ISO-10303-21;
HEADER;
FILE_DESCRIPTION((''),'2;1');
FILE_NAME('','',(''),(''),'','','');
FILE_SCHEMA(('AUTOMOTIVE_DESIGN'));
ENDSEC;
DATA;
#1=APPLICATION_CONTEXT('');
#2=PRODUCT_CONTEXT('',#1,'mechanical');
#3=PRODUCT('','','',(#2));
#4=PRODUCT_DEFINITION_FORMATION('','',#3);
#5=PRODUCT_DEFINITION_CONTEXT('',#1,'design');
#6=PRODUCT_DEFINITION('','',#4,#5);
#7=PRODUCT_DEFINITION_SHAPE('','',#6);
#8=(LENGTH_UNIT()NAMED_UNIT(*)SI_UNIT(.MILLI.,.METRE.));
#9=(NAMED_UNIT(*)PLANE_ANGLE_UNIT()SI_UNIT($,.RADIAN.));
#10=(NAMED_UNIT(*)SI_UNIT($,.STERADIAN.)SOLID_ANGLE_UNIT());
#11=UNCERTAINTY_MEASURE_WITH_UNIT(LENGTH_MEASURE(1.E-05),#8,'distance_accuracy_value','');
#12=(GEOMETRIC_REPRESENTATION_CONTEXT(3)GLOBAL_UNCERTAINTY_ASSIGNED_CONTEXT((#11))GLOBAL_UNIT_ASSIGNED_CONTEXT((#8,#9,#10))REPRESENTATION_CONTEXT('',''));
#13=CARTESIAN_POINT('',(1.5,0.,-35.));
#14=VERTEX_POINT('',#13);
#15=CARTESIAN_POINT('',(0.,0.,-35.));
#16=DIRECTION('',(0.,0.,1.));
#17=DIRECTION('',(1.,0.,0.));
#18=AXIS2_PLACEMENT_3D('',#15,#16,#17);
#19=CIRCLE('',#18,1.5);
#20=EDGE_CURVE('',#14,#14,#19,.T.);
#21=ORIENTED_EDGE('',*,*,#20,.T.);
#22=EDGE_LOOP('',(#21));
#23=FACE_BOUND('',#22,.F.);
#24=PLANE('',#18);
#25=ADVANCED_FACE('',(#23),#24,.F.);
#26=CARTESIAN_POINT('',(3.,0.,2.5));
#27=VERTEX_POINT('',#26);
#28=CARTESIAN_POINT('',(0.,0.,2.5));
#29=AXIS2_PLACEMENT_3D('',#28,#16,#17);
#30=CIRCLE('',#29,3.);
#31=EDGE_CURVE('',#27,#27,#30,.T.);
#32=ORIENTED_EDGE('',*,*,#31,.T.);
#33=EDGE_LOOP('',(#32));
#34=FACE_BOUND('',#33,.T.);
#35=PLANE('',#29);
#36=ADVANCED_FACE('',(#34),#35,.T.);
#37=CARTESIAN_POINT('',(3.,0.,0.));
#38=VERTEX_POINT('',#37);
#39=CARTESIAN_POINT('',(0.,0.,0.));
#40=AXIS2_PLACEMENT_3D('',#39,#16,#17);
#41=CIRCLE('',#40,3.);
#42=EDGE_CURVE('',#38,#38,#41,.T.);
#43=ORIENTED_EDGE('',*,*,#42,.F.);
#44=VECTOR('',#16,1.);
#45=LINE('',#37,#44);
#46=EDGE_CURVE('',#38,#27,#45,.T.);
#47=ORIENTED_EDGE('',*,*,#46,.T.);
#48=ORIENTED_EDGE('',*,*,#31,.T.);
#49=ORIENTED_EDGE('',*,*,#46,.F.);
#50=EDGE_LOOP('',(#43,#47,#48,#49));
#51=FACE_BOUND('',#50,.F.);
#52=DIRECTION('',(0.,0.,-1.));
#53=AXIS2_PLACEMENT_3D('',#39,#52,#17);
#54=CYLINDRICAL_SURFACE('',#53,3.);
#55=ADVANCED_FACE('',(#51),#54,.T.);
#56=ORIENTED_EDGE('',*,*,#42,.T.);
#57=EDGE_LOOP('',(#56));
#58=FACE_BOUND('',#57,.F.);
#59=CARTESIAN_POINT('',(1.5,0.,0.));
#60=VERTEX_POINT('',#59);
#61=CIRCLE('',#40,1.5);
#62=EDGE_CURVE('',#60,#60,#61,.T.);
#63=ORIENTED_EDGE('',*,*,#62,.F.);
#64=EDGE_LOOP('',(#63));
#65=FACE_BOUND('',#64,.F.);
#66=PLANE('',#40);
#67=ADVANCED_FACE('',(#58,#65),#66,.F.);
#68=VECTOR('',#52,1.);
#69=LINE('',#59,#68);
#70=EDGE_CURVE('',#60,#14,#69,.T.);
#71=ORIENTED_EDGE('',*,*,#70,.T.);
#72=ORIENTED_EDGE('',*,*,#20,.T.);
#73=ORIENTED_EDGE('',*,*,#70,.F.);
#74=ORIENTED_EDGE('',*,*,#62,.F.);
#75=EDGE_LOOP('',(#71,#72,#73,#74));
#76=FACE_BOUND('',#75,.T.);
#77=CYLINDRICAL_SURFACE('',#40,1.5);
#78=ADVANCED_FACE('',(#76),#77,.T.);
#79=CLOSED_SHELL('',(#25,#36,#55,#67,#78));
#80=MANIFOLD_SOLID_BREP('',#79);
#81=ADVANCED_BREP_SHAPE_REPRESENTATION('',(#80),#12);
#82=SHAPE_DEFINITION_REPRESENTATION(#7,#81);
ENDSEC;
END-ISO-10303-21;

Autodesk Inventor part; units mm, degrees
ref_plane "YZ Plane" through (0, 0, 0) normal (1, 0, 0) x (0, 1, 0)
ref_plane "XZ Plane" through (0, 0, 0) normal (0, 1, 0) x (-1, 0, 0)
ref_plane "XY Plane" through (0, 0, 0) normal (0, 0, 1) x (1, 0, 0)
sketch "Эскиз1" plane through (0, 0, 0) normal (0, 0, 1) x (1, 0, 0)
  circle A0 centre (0, 0) radius 3
  circle A1 centre (0, 0) radius 1.5
  dimension "d0" = 6
  dimension "d1" = 3
extrude "Выдавливание1" add sketch "Эскиз1" along normal blind 2.5 contours A0 | A1
extrude "Выдавливание2" add sketch "Эскиз1" against normal blind 35 contours A1
thread "Резьба1" size "M3x0.5" class "6g" standard "ISO Metric profile" full length
properties part number "Болт М4"
